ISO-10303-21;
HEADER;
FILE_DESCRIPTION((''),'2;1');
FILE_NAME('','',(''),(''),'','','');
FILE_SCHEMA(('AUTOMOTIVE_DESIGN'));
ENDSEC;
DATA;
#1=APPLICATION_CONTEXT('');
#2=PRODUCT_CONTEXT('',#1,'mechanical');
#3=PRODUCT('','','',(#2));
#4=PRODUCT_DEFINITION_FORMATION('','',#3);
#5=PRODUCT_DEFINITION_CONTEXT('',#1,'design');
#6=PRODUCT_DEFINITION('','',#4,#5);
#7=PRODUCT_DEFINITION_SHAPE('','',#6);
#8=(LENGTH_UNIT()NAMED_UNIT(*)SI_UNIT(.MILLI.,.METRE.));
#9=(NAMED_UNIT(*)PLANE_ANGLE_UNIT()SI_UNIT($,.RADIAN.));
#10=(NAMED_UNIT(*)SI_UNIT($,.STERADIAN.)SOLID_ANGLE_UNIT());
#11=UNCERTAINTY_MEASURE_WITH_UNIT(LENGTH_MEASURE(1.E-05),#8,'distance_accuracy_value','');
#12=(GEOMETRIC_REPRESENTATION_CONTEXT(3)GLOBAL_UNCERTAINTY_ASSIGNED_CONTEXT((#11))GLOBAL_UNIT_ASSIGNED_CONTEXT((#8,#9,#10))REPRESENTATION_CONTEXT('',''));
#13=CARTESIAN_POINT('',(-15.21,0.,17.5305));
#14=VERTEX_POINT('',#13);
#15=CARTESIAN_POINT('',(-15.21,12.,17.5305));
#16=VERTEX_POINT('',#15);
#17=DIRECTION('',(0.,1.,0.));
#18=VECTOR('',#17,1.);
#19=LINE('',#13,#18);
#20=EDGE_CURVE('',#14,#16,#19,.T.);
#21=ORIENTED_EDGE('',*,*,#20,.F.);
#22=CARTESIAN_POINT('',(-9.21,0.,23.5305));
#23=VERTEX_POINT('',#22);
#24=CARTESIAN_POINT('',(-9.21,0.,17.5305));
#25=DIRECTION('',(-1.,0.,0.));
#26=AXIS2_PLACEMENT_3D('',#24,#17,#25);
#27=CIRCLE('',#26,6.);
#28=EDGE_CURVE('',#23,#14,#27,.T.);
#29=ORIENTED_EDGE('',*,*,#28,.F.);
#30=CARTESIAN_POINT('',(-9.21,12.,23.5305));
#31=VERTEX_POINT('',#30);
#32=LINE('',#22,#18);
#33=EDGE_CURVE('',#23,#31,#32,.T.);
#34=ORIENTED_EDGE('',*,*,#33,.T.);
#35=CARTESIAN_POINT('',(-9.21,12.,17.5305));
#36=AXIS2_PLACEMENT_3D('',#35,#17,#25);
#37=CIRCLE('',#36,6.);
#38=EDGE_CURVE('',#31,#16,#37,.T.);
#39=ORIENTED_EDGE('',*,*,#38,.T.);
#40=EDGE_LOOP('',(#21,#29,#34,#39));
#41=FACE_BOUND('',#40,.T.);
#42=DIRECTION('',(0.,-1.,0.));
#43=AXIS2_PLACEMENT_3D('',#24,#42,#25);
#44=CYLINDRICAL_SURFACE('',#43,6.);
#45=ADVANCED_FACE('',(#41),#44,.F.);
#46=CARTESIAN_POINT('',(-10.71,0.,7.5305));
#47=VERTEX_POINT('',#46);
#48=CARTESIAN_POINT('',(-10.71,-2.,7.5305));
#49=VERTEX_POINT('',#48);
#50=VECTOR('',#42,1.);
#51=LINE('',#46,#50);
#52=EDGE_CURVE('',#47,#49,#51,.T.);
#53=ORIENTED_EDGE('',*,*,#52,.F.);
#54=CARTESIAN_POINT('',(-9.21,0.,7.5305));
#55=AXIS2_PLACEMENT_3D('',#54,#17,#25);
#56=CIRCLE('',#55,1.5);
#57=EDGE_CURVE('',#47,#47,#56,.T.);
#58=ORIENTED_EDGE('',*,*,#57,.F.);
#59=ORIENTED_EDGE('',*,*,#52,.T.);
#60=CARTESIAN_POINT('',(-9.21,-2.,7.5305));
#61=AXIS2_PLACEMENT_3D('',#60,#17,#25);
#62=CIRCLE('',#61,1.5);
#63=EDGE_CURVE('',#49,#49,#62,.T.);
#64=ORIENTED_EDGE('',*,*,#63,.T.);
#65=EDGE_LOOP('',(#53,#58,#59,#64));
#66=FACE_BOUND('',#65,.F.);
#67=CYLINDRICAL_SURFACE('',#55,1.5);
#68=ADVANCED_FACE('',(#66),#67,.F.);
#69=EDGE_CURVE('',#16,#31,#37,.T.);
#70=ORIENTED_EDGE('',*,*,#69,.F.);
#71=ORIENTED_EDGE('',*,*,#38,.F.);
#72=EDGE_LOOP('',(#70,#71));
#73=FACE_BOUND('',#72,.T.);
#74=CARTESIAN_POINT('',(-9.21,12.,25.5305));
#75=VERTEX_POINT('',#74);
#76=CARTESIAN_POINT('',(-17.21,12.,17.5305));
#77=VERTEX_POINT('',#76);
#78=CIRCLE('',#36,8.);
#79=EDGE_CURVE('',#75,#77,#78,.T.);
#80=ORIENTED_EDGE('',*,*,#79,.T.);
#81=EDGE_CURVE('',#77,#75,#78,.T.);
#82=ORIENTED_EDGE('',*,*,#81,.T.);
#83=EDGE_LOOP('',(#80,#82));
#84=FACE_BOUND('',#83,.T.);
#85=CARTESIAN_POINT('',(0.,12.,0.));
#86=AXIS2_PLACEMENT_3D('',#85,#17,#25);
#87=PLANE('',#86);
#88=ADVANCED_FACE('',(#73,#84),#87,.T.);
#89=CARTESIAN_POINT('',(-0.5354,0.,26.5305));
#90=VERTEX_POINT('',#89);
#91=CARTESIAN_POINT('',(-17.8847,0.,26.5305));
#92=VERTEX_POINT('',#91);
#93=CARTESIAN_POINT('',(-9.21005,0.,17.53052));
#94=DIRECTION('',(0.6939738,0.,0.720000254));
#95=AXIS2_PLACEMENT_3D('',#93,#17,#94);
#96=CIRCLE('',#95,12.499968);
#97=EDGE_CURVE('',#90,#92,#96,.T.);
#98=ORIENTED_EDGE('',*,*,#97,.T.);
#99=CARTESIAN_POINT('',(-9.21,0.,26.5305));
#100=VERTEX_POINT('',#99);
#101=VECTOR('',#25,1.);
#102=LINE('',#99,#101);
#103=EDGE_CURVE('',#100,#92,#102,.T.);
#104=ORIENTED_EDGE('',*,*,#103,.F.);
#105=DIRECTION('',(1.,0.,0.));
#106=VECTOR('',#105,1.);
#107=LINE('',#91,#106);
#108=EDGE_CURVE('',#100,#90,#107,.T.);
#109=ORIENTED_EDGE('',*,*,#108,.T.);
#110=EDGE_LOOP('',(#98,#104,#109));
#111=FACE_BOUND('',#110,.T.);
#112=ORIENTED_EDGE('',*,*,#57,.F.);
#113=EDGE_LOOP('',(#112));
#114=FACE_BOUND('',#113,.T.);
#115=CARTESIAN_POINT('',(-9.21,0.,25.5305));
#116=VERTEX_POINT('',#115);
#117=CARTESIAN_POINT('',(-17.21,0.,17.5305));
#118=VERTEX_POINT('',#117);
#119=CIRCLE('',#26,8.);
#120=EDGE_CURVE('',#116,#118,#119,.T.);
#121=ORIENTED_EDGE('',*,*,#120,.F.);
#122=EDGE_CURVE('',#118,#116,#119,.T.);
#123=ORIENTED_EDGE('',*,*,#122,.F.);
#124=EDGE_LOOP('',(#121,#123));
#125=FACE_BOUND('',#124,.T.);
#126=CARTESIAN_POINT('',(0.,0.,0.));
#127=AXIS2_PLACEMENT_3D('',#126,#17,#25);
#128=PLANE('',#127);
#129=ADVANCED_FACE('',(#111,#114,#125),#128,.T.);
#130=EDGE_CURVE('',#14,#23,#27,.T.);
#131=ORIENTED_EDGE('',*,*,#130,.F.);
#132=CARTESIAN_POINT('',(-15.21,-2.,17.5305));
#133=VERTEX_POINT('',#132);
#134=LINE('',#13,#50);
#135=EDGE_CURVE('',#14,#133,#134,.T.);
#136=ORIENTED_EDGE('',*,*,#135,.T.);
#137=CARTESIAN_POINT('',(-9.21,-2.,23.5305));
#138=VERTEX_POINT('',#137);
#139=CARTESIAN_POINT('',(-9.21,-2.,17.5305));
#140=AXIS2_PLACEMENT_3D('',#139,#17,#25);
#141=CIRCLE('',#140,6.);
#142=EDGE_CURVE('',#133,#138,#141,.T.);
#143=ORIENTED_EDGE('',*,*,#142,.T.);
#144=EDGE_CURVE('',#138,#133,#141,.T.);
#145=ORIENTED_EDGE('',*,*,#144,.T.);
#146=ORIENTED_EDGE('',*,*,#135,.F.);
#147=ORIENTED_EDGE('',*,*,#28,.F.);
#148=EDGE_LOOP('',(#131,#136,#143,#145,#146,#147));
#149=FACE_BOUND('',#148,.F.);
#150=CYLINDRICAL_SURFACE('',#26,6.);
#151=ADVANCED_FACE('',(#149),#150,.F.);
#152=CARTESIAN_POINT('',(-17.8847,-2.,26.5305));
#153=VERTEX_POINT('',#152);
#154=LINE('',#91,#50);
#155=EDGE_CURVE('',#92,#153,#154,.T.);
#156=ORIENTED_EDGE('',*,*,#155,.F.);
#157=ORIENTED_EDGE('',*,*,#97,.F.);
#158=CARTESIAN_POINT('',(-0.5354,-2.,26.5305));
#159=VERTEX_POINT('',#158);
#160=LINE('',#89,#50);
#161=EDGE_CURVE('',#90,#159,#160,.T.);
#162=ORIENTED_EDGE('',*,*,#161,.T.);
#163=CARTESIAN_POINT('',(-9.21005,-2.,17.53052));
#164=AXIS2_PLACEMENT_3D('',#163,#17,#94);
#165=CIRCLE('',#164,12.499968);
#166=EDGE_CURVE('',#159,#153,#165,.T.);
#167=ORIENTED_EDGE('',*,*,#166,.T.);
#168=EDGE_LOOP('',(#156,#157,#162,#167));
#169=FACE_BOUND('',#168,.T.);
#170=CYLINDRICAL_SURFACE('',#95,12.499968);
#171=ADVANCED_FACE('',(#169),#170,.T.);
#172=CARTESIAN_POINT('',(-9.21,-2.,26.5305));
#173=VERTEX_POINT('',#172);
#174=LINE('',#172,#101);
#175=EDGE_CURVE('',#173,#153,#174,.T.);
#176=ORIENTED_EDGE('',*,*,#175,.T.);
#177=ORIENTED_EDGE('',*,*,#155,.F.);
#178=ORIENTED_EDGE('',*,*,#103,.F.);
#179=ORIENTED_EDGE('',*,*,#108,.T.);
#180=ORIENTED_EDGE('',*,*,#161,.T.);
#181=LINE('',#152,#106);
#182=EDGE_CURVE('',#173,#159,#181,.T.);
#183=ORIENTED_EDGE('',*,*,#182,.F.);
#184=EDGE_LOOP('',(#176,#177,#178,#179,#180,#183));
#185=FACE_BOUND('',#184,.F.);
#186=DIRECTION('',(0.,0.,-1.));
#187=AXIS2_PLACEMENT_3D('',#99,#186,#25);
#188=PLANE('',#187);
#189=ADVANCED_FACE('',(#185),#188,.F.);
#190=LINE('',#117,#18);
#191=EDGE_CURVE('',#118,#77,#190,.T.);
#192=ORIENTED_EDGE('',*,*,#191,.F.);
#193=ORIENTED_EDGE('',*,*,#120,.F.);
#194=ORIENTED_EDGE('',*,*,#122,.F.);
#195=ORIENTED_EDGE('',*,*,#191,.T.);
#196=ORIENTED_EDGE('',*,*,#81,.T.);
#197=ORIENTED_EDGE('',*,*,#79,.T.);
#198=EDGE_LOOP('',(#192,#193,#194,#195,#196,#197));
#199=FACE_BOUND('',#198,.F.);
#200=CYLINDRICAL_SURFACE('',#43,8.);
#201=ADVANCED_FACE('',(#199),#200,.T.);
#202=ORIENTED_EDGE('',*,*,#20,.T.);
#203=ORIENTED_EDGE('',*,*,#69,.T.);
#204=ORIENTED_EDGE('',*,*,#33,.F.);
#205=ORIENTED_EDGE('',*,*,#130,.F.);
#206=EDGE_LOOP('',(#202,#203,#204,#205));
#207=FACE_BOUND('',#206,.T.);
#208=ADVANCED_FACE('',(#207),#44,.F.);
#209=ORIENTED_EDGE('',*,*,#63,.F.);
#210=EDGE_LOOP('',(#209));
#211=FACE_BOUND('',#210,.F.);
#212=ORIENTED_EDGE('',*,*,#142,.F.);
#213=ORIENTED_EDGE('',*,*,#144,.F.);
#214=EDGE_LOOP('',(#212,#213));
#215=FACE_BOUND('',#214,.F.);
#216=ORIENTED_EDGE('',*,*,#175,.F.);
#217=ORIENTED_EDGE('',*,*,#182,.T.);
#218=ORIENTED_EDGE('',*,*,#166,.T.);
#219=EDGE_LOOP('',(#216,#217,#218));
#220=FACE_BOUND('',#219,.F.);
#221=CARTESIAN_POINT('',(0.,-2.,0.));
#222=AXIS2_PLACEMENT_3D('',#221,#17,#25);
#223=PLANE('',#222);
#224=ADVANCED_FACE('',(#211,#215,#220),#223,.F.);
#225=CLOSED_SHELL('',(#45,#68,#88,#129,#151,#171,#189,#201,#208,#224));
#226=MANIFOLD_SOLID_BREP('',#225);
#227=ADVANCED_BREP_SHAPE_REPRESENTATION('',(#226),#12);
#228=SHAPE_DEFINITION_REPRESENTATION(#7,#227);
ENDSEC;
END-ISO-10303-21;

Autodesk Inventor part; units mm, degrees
ref_plane "YZ Plane" through (0, 0, 0) normal (1, 0, 0) x (0, 1, 0)
ref_plane "XZ Plane" through (0, 0, 0) normal (0, 1, 0) x (-1, 0, 0)
ref_plane "Work Plane1" through (-12, 0, -11) normal (0, 0, 1) x (1, 0, 0)
sketch "Boceto6" plane through (0, 0, 0) normal (0, 1, 0) x (-1, 0, 0)
  circle A0 centre (9.21, 17.5305) radius 6
  circle A1 centre (9.21, 17.5305) radius 8
  arc A2 (0.5354, 26.5305) -> (17.8847, 26.5305) centre (9.21, 17.5305) ccw
  circle A3 centre (9.21, 7.5305) radius 1.5
  line L0 (9.21, 17.5305) -> (9.21, 26.5305)
  line L1 (9.21, 26.5305) -> (17.8847, 26.5305)
  line L2 (17.8847, 26.5305) -> (0.5354, 26.5305)
  point P0 (0, 0)
  dimension "d143" = 12
  dimension "d144" = 16
  dimension "d145" = 25
  dimension "d146" = 3
  dimension "d147" = 10
  dimension "d148" = 9
extrude "Extrusión11" add sketch "Boceto6" along normal blind 12 contours A1
extrude "Extrusión12" add sketch "Boceto6" against normal blind 2 contours A1 | L1 A2 L2
properties part number "Buje de Soporte de Motor" material "Acetal Resin, White"
